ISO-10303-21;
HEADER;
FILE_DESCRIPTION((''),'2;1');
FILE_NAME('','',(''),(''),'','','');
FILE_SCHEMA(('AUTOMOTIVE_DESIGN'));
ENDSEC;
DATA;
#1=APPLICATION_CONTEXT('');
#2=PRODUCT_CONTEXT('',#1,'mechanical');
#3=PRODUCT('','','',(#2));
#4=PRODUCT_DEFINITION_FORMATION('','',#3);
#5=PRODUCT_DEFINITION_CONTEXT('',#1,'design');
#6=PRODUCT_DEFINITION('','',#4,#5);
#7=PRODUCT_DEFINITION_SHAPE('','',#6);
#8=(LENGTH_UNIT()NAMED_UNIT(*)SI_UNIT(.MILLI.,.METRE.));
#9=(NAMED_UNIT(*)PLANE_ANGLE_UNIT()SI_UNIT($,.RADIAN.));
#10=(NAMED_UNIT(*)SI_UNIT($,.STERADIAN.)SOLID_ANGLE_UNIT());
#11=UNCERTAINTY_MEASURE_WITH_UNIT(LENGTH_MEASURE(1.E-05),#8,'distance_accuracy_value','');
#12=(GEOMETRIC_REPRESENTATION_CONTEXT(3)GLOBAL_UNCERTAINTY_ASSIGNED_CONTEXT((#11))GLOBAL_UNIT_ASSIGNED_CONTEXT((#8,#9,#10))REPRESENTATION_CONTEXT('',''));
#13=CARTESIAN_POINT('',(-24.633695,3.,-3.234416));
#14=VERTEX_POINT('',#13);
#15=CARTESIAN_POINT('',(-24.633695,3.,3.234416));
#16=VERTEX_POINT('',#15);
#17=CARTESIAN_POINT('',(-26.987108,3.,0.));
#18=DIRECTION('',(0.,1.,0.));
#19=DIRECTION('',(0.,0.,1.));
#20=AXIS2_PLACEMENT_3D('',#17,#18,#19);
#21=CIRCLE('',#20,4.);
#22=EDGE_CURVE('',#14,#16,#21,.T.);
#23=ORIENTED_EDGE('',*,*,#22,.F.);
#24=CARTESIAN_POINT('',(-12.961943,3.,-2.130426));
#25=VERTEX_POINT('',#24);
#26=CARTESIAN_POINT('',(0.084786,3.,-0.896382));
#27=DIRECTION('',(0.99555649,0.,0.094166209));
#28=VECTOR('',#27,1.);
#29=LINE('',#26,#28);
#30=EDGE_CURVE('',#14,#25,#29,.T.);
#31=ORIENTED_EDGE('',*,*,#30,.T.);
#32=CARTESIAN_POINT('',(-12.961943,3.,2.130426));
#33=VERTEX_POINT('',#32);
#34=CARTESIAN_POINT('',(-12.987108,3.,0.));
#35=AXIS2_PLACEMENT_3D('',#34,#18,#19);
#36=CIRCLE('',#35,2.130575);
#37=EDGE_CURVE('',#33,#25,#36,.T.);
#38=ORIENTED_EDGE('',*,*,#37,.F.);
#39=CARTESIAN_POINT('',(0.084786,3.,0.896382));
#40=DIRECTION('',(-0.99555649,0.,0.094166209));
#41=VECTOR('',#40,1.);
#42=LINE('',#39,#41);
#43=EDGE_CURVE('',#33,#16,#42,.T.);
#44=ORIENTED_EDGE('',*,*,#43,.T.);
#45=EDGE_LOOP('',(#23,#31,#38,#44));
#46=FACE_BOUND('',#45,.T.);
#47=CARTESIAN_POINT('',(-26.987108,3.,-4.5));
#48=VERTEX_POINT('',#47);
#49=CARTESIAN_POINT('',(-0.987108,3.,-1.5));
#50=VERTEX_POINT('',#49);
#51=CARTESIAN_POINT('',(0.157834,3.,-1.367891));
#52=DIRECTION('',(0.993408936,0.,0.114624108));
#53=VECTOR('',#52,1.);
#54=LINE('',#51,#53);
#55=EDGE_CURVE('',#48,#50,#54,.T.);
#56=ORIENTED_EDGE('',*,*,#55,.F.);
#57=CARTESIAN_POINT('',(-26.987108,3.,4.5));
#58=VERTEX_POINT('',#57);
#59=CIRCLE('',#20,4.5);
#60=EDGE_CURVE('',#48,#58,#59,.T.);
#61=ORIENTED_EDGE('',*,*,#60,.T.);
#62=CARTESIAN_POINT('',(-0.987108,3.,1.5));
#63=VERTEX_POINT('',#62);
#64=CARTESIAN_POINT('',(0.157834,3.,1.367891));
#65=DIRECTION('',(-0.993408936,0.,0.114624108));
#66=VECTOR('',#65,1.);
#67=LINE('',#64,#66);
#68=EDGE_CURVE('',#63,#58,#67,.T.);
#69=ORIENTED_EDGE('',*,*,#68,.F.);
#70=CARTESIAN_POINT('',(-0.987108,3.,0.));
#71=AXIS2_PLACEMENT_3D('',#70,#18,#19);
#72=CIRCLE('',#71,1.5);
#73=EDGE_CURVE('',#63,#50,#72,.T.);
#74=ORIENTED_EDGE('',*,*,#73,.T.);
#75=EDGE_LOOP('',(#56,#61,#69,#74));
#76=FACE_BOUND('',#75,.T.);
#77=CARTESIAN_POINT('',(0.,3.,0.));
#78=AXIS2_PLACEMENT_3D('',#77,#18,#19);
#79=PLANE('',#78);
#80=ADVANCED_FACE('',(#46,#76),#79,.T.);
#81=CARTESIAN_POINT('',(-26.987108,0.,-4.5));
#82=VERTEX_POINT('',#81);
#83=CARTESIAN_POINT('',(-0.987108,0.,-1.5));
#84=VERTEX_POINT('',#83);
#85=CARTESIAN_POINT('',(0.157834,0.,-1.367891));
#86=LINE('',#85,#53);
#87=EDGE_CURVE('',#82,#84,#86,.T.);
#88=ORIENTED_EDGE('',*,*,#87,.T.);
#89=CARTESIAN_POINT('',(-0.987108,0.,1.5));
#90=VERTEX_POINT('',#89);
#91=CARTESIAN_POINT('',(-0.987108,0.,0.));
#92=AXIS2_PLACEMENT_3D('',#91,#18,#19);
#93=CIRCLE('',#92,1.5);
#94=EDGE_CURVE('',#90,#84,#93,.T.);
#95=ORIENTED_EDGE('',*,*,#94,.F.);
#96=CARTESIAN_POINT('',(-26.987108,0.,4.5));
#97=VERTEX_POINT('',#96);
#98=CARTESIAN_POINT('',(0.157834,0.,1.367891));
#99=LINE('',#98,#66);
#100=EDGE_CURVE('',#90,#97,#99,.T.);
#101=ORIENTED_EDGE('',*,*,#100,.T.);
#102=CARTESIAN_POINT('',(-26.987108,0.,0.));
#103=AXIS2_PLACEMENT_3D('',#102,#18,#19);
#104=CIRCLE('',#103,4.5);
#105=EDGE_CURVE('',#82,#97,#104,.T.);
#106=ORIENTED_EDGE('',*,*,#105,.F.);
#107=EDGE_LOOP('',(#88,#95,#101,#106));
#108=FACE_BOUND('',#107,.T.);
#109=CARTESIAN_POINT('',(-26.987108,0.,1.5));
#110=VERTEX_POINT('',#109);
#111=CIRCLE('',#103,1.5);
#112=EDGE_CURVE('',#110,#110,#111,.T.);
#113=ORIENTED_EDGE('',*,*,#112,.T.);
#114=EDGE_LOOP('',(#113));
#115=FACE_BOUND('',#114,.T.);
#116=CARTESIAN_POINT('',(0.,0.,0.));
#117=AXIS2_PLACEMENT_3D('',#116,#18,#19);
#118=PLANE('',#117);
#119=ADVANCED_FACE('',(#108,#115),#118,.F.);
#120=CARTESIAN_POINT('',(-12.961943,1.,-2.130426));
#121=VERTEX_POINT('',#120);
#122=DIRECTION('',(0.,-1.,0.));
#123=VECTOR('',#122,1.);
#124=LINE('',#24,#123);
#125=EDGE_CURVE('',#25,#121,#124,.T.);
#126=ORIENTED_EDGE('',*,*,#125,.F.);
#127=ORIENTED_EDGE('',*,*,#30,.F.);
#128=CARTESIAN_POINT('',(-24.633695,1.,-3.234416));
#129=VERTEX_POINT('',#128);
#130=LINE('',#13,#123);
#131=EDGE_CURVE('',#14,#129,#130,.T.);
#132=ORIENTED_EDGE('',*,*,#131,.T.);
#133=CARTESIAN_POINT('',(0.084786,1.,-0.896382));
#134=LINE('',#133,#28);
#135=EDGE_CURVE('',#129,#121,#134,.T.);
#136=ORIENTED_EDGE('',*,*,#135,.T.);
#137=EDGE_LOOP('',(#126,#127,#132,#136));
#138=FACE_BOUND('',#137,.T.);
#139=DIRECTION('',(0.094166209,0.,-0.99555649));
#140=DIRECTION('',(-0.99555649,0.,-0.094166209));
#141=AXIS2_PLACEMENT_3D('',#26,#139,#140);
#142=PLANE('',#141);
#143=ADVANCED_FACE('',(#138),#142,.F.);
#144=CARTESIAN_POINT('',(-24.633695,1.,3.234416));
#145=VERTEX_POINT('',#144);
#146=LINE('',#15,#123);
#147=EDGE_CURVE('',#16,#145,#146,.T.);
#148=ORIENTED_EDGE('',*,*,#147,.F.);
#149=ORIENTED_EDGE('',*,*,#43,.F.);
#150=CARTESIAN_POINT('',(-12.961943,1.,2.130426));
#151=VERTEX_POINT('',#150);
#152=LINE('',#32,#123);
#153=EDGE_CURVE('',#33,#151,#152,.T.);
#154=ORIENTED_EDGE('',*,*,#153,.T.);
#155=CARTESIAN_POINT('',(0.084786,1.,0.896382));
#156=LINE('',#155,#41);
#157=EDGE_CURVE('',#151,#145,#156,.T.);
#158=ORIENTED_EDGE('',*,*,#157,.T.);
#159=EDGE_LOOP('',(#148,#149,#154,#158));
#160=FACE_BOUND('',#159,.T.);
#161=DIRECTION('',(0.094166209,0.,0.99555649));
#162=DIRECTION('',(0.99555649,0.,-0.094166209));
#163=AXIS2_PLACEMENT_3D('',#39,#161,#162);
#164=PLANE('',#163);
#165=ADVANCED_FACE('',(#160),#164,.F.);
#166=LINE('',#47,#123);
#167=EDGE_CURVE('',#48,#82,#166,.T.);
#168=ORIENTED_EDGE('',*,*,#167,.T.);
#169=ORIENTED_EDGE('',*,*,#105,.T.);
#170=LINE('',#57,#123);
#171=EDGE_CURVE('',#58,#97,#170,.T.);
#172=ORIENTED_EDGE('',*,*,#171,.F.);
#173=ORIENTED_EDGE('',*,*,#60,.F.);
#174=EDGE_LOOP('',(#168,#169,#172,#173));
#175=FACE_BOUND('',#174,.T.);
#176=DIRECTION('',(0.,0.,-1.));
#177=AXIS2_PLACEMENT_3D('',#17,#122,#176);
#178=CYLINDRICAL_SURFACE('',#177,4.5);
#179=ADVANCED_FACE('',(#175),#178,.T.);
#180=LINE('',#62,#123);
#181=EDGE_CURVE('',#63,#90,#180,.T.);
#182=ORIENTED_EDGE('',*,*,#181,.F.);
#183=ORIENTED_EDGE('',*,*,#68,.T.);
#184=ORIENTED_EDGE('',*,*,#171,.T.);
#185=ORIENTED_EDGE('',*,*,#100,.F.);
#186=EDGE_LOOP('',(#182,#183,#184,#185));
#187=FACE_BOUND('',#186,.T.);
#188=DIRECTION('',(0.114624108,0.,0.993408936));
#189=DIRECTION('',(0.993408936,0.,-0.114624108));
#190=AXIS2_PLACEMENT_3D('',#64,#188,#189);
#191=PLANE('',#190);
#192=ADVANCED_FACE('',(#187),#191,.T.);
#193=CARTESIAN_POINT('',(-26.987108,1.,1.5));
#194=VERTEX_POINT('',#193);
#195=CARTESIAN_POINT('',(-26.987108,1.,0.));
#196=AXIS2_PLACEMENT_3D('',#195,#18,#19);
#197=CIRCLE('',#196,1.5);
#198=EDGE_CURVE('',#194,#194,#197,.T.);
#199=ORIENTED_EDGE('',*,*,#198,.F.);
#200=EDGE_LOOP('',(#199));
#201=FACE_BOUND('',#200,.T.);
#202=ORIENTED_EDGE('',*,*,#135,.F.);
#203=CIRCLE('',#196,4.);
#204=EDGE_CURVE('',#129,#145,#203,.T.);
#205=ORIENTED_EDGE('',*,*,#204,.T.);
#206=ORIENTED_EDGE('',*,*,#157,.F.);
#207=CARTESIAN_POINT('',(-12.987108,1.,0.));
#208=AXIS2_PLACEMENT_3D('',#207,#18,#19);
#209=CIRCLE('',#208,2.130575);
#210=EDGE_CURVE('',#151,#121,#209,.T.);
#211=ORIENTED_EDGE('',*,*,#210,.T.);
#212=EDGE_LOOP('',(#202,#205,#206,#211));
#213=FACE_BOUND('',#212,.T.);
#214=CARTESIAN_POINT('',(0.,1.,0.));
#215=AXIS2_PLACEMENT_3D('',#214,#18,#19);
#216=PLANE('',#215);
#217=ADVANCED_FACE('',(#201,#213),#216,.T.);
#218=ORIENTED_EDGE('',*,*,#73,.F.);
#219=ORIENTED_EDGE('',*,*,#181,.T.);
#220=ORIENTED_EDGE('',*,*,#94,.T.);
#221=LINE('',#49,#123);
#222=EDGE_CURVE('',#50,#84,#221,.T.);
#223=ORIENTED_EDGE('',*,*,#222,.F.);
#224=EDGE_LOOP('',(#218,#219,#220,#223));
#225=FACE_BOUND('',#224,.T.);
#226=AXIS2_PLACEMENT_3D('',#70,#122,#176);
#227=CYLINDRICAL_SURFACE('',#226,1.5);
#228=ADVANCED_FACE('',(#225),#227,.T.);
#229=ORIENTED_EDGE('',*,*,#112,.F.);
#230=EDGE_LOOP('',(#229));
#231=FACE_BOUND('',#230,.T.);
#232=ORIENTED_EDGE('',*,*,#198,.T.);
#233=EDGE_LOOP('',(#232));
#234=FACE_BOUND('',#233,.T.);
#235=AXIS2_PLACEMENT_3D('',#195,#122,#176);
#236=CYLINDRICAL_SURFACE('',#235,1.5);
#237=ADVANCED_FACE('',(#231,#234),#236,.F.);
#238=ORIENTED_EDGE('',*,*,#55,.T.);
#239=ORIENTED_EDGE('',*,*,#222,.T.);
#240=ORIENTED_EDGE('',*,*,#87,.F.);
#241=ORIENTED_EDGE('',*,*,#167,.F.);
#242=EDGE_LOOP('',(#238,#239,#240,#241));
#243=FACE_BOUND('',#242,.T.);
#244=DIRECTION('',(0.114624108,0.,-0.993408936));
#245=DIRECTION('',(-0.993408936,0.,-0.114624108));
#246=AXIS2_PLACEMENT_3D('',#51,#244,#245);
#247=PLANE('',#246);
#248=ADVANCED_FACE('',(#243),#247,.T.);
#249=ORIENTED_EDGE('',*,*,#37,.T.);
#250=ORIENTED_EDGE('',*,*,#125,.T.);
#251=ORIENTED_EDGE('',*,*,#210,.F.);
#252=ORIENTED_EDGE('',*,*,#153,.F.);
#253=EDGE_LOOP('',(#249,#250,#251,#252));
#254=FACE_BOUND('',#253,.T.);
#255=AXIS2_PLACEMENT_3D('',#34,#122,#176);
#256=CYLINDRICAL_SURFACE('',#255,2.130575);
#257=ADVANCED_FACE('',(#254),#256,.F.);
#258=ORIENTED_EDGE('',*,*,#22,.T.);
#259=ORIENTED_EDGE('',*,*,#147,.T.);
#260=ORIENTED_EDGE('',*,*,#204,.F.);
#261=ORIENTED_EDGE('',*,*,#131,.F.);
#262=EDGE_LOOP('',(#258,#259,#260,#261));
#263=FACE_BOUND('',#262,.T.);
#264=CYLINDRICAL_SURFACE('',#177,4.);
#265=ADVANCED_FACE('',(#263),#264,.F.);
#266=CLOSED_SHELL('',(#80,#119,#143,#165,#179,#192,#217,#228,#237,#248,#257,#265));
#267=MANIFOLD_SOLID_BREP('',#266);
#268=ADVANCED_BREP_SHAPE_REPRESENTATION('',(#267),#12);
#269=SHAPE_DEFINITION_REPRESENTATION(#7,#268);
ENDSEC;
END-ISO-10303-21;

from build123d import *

# Parameters (mm, degrees)
SKETCH2_R           = 1.5
BOSS_EXTRUDE1_DEPTH = 1
BOSS_EXTRUDE2_DEPTH = 3


with BuildPart() as part:
    # Sketch2 → Boss-Extrude1 (new body)
    with BuildSketch(Plane(origin=(0, 0, 0), x_dir=(1, 0, 0), z_dir=(0, 1, 0))):
        with BuildLine():
            Line((-24.633695323, -3.234416395), (-12.961942578, -2.130426094))
            ThreePointArc((-12.961942578, -2.130426094), (-10.856533145, 0), (-12.961942578, 2.130426094))
            Line((-12.961942578, 2.130426094), (-24.633695323, 3.234416395))
            ThreePointArc((-24.633695323, 3.234416395), (-30.987107864, 0), (-24.633695323, -3.234416395))
        make_face()
        with Locations((-26.987107864, 0)):
            Circle(SKETCH2_R, mode=Mode.SUBTRACT)
    extrude(amount=BOSS_EXTRUDE1_DEPTH)

    # Sketch2<3> → Boss-Extrude2 (add)
    with BuildSketch(Plane(origin=(0, 0, 0), x_dir=(1, 0, 0), z_dir=(0, 1, 0))):
        with BuildLine():
            ThreePointArc((-26.987107864, 4.5), (-31.487107864, 0), (-26.987107864, -4.5))
            Line((-26.987107864, -4.5), (-0.987107864, -1.5))
            ThreePointArc((-0.987107864, -1.5), (0.512892136, 0), (-0.987107864, 1.5))
            Line((-0.987107864, 1.5), (-26.987107864, 4.5))
        make_face()
        with BuildLine():
            Line((-24.633695323, 3.234416395), (-12.961942578, 2.130426094))
            ThreePointArc((-12.961942578, 2.130426094), (-10.856533145, 0), (-12.961942578, -2.130426094))
            Line((-12.961942578, -2.130426094), (-24.633695323, -3.234416395))
            ThreePointArc((-24.633695323, -3.234416395), (-30.987107864, 0), (-24.633695323, 3.234416395))
        make_face(mode=Mode.SUBTRACT)
    extrude(amount=BOSS_EXTRUDE2_DEPTH)


solid = part.part
